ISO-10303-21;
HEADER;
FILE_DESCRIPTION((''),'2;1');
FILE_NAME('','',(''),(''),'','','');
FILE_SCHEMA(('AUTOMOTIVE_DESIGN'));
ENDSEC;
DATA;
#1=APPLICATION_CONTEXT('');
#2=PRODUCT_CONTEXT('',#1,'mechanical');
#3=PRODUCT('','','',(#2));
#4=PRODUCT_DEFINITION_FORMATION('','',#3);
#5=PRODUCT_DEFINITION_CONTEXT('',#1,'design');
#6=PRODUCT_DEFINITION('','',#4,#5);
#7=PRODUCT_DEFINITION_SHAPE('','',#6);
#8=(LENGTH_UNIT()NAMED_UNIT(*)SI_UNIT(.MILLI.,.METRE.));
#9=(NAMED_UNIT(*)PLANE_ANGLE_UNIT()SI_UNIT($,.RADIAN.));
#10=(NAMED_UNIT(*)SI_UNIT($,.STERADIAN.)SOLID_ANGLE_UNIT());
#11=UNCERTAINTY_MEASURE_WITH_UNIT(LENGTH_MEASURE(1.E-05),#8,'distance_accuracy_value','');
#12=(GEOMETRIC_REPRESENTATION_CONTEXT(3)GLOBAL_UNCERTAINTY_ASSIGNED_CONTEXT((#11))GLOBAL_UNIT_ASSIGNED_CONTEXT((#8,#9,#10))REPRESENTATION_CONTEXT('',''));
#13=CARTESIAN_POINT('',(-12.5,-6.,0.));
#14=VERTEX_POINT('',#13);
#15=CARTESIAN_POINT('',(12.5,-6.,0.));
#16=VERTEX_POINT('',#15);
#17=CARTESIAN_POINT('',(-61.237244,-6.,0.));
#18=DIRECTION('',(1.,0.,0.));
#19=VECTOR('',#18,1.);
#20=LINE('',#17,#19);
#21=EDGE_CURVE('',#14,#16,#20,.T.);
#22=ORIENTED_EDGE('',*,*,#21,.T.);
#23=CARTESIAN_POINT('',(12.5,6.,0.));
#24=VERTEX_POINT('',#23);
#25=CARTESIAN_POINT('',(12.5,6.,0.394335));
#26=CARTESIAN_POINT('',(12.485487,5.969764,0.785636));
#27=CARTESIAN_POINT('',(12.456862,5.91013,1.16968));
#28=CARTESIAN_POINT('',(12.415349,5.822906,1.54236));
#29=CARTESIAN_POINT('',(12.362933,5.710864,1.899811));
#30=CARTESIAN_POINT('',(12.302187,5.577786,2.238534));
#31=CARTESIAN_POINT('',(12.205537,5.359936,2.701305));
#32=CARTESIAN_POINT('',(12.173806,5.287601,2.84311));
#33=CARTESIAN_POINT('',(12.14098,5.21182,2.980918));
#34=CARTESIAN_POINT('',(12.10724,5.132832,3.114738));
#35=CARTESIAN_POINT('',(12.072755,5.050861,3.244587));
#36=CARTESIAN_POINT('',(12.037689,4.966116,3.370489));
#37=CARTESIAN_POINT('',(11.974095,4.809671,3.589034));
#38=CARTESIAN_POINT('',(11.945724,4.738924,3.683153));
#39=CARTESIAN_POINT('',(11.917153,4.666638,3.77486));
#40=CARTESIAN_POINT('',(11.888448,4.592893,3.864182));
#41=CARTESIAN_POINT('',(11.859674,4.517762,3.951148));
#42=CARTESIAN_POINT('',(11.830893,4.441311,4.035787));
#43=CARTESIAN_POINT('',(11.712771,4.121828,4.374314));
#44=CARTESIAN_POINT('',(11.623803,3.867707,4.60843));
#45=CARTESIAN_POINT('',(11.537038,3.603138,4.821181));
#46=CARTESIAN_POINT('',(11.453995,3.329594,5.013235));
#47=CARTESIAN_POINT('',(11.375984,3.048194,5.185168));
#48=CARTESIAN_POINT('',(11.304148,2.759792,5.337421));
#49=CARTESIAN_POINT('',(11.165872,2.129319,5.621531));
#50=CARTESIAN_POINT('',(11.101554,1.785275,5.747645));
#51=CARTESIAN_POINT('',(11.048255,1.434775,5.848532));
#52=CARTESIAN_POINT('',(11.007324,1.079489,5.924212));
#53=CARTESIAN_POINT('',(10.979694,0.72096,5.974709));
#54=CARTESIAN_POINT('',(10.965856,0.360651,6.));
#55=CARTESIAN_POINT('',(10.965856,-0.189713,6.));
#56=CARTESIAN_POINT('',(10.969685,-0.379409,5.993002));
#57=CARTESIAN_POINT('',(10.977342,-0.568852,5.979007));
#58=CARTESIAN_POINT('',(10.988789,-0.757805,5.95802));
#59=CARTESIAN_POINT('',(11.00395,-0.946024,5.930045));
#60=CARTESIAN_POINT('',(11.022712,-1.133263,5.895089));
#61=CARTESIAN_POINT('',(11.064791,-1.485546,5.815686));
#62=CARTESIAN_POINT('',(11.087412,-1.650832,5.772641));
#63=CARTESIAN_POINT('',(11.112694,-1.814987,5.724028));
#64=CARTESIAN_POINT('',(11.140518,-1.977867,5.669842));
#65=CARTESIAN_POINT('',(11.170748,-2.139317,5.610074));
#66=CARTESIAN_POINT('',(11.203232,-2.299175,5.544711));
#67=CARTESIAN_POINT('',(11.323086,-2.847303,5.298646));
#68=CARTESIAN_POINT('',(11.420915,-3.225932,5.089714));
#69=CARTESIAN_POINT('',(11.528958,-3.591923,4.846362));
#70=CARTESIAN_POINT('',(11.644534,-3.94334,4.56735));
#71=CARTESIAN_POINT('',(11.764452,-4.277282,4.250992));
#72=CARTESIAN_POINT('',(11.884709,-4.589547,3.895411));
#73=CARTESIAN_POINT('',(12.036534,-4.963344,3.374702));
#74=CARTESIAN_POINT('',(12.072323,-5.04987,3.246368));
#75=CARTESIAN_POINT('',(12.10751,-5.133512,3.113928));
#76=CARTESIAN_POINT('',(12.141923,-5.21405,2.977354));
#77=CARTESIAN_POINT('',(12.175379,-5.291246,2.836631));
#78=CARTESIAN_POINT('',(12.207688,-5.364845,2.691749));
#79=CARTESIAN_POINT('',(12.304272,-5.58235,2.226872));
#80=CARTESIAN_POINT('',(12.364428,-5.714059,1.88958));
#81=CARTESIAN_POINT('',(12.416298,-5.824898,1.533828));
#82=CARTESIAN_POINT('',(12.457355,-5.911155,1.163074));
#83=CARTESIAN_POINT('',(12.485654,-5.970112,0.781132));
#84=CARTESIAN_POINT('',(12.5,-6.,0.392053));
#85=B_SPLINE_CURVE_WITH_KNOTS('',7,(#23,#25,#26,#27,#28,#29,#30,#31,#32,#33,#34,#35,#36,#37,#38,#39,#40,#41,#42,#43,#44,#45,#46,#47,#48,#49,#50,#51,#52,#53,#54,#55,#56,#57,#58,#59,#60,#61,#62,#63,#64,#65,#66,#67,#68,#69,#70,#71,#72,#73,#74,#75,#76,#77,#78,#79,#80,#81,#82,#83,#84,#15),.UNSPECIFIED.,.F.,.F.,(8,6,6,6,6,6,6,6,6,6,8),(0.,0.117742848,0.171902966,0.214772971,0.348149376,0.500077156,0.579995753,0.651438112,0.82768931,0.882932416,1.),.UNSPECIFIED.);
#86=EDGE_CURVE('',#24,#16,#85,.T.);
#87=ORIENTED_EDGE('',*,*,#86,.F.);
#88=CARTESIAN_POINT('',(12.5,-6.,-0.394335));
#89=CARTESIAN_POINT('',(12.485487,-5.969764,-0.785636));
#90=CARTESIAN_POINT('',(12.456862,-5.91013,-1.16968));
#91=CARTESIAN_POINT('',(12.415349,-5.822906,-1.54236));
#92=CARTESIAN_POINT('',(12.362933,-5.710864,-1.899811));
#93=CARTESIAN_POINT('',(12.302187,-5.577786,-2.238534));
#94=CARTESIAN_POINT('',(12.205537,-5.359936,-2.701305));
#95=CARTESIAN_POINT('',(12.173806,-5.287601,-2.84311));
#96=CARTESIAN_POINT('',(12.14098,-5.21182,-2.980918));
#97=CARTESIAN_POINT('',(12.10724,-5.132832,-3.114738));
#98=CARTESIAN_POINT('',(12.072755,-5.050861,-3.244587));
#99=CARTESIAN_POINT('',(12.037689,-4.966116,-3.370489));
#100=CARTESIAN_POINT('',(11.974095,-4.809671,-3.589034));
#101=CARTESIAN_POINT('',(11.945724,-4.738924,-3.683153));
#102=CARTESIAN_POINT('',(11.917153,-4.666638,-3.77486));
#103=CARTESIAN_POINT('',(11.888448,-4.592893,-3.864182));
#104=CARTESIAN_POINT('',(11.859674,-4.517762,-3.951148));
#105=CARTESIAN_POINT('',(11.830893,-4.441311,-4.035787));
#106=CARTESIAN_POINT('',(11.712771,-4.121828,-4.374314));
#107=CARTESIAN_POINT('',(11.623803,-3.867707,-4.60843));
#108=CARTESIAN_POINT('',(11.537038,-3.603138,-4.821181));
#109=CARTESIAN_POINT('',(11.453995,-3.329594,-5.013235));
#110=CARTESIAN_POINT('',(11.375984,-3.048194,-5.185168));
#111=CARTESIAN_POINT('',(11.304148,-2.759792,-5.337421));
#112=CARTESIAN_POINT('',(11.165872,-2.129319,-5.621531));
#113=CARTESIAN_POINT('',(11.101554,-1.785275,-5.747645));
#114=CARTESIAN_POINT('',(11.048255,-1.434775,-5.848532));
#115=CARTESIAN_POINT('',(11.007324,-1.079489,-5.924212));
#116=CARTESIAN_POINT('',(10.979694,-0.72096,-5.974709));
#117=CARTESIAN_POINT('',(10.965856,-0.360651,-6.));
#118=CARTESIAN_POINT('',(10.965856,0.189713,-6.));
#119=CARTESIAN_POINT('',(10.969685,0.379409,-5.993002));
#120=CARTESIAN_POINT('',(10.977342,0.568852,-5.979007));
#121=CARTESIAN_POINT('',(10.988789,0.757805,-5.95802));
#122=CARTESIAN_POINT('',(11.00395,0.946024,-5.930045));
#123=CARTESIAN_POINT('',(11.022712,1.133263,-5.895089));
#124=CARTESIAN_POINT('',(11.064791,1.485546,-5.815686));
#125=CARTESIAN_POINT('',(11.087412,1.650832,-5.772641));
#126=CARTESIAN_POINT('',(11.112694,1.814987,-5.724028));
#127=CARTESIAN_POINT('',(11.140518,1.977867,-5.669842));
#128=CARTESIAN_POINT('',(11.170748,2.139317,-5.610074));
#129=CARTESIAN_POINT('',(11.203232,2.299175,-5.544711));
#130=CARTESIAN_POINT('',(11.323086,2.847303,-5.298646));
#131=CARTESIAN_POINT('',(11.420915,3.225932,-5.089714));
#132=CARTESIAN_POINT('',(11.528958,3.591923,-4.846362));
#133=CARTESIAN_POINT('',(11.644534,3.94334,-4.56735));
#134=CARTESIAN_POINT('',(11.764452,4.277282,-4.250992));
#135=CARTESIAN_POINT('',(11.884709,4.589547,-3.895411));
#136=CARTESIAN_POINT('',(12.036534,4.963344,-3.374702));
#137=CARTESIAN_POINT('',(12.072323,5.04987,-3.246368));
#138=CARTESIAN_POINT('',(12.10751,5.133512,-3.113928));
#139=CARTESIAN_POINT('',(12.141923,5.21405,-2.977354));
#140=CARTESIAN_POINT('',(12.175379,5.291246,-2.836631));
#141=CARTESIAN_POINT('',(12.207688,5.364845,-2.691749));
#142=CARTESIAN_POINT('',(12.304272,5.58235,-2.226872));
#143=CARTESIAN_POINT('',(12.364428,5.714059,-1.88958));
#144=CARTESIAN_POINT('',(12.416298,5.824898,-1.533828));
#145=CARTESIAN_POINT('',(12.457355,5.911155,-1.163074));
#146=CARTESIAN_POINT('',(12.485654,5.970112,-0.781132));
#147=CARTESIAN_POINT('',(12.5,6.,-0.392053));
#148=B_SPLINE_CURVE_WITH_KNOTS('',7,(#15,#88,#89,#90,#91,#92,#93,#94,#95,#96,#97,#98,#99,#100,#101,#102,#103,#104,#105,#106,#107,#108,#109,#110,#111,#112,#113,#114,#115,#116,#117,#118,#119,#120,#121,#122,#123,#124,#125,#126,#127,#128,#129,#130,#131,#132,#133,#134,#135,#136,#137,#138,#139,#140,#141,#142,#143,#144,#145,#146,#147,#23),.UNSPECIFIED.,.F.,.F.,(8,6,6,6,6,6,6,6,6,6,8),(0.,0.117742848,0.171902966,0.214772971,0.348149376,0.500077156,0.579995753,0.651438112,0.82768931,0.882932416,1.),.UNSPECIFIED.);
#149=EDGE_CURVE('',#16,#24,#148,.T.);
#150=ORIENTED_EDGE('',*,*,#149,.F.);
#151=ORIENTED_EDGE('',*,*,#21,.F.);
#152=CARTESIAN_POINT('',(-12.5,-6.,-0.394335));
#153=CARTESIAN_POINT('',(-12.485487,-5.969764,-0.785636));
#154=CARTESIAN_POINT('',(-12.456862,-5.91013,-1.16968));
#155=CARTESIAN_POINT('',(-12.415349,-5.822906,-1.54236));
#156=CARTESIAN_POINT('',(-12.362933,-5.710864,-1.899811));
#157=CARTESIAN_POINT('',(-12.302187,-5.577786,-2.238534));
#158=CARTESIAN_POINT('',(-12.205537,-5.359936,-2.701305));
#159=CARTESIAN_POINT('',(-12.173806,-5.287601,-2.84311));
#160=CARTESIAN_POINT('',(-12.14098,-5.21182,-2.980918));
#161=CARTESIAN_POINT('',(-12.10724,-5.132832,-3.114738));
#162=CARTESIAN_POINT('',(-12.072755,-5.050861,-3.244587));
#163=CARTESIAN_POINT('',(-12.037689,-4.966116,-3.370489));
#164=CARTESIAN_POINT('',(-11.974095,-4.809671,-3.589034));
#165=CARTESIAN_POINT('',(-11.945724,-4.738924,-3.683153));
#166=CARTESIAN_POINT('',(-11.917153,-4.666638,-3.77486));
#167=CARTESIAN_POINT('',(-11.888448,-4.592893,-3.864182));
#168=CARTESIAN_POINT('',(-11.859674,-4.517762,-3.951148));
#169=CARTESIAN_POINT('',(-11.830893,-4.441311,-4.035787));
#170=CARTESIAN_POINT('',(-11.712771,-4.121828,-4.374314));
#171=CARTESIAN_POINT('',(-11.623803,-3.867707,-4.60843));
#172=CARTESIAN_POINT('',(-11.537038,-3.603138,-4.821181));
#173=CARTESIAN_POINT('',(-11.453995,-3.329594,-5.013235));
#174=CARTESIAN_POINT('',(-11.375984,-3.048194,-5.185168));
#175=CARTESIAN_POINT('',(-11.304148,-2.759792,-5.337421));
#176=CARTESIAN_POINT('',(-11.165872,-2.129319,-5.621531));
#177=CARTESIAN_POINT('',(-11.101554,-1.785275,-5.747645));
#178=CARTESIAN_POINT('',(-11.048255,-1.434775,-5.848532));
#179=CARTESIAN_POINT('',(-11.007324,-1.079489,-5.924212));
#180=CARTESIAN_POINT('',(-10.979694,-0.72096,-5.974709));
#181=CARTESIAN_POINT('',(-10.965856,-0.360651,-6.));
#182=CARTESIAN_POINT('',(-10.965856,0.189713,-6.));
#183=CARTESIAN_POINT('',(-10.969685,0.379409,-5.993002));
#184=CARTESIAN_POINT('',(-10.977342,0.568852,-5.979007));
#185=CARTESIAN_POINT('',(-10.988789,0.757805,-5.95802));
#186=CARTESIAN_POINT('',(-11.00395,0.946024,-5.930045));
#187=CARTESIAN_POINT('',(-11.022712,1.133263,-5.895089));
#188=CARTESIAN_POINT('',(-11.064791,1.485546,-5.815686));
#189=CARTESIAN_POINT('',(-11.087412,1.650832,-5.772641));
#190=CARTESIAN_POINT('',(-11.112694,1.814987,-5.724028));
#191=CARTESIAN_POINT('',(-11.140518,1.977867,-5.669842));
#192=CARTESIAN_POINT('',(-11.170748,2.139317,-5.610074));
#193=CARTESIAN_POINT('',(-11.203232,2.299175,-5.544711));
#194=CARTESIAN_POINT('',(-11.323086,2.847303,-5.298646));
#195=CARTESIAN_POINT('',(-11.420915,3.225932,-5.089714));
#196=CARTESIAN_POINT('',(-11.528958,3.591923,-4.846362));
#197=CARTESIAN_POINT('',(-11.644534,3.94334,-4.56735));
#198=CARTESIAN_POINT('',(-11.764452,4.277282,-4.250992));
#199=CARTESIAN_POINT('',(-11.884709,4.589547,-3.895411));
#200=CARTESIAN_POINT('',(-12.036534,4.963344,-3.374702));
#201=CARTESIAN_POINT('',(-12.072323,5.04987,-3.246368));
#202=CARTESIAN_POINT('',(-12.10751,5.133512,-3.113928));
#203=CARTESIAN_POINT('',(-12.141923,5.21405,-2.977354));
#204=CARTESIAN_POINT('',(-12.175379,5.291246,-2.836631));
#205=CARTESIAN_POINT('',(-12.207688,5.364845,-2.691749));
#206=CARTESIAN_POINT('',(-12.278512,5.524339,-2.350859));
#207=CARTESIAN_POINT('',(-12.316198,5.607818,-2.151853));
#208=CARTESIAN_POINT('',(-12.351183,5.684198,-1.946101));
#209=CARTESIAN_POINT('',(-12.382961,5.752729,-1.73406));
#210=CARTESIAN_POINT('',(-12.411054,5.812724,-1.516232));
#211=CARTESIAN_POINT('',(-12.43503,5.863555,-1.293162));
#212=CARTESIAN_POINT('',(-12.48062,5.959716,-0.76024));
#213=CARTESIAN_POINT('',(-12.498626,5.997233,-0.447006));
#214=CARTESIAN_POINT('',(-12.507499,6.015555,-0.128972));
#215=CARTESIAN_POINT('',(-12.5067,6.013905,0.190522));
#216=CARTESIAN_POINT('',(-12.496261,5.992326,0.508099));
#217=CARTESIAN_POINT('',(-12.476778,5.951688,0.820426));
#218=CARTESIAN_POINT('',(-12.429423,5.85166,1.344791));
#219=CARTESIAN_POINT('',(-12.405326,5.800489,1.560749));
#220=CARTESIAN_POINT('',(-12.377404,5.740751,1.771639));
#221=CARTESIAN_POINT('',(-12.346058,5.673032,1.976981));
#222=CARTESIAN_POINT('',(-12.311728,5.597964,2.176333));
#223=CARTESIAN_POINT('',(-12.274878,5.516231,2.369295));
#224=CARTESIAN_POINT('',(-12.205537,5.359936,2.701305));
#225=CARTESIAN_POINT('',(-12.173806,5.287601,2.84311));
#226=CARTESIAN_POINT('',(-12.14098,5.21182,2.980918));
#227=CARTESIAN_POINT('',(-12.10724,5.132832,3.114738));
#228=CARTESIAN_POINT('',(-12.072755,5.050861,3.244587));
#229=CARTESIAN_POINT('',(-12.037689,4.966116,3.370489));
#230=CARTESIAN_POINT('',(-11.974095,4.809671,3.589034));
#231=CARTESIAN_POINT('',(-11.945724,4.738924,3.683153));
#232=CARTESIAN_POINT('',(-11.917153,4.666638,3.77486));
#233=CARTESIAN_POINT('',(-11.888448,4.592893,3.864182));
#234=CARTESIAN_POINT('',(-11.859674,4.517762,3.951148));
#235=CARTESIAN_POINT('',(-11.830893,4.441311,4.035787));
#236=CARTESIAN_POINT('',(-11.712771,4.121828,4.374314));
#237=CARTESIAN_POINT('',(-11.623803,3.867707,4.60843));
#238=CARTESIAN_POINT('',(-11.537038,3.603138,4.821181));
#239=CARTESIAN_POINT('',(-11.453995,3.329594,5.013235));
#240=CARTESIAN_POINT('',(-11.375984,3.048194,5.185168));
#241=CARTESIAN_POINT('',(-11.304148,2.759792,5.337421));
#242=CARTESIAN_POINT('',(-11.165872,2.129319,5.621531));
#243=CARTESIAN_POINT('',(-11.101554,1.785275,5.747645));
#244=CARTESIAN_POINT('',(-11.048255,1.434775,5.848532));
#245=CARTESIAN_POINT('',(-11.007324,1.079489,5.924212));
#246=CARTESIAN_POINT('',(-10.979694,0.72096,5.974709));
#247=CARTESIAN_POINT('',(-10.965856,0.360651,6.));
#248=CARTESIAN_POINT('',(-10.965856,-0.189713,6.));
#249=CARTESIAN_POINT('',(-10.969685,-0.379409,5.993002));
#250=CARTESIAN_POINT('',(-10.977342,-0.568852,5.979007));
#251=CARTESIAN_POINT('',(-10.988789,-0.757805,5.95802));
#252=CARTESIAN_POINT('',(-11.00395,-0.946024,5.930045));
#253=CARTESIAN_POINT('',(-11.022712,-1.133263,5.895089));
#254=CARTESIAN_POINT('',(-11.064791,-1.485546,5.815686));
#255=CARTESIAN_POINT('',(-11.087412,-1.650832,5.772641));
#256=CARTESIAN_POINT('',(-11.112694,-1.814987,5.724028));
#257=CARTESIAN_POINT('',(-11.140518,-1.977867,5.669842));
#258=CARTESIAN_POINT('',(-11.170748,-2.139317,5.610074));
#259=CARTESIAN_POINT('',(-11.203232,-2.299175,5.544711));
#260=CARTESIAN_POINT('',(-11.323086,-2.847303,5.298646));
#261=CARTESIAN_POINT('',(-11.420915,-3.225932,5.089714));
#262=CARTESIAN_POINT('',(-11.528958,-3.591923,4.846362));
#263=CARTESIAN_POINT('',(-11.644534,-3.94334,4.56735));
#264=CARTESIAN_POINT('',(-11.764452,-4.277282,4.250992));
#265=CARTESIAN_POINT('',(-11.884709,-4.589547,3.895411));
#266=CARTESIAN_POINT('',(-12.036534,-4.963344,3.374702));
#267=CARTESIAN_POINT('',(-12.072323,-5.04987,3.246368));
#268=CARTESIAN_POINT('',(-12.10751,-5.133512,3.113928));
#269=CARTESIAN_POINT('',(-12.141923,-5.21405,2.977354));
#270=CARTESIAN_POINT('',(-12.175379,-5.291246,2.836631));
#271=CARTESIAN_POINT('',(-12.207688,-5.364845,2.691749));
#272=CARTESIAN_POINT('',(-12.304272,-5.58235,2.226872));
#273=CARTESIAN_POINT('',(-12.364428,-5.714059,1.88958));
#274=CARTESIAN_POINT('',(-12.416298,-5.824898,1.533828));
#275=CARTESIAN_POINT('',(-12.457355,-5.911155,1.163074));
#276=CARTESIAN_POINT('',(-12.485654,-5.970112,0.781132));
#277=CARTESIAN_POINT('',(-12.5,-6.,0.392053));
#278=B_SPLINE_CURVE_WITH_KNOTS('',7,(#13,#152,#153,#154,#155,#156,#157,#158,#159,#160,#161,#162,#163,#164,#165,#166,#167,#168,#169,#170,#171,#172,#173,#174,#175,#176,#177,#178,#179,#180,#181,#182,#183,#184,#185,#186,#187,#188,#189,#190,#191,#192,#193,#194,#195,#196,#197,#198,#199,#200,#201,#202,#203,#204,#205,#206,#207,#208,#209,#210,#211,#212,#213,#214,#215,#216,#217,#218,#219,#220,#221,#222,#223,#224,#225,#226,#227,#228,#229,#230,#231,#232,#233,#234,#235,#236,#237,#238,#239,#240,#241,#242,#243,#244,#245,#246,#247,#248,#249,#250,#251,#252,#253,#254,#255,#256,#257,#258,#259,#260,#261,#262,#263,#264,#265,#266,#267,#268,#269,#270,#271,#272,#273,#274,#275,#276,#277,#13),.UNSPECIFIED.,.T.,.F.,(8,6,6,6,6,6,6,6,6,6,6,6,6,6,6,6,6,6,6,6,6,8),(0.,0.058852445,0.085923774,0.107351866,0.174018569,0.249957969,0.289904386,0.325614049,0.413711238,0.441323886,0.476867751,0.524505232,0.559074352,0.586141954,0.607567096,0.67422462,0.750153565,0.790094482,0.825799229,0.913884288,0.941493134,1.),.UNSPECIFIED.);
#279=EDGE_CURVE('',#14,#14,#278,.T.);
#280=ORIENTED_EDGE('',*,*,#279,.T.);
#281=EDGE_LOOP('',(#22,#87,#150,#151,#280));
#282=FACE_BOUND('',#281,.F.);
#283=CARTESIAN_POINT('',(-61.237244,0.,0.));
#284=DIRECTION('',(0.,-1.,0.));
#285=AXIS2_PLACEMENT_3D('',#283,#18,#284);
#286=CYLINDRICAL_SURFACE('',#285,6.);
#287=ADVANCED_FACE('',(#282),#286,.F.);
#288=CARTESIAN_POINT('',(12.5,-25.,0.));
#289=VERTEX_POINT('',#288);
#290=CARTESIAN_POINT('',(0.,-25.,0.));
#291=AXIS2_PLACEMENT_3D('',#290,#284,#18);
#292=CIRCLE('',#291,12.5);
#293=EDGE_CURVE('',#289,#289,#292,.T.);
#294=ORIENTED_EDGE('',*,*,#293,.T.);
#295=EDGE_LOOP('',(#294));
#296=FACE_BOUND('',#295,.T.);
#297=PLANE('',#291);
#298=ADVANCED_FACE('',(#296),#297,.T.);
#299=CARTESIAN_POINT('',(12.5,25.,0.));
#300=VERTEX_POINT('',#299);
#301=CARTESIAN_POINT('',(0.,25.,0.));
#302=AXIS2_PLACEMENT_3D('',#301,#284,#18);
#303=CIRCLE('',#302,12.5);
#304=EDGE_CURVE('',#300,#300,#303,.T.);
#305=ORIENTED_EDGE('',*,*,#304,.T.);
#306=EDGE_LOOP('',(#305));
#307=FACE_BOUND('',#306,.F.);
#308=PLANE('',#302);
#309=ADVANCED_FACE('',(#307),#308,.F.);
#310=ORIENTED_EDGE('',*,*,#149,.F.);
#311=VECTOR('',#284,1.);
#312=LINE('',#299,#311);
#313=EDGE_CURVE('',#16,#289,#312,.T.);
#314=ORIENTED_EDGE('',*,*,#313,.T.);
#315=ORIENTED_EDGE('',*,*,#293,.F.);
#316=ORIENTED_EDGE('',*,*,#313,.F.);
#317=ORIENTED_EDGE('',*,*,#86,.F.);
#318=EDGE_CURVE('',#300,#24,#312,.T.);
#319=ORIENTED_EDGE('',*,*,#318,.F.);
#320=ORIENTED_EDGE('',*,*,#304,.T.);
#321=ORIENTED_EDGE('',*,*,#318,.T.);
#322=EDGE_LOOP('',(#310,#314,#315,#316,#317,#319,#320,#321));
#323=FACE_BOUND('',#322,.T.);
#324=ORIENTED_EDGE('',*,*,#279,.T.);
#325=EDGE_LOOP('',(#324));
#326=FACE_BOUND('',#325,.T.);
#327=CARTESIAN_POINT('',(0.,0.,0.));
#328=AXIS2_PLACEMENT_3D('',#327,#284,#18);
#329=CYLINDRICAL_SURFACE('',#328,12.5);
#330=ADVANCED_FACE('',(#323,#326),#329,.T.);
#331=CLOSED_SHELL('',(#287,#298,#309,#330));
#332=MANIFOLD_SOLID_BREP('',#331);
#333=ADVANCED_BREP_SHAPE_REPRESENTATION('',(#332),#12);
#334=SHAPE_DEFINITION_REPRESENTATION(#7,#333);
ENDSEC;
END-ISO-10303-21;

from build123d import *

# Parameters (mm, degrees)
F0_R     = 12.5
F2_DEPTH = 25
F3_D     = 12
F4_D     = 12


with BuildPart() as f2:
    # F0 (on Front) → F2 (new body, symmetric)
    with BuildSketch(Plane.XZ):
        Circle(F0_R)
    extrude(amount=F2_DEPTH, both=True)

    # F3 (through all)
    with Locations(Plane(origin=(0, 0, 0), x_dir=(0, 1, 0), z_dir=(-1, 0, 0))):
        with Locations((0, 0)):
            Hole(F3_D / 2)

    # F4 (through all)
    with Locations(Plane.YZ):
        with Locations((0, 0)):
            Hole(F4_D / 2)


solid = f2.part
